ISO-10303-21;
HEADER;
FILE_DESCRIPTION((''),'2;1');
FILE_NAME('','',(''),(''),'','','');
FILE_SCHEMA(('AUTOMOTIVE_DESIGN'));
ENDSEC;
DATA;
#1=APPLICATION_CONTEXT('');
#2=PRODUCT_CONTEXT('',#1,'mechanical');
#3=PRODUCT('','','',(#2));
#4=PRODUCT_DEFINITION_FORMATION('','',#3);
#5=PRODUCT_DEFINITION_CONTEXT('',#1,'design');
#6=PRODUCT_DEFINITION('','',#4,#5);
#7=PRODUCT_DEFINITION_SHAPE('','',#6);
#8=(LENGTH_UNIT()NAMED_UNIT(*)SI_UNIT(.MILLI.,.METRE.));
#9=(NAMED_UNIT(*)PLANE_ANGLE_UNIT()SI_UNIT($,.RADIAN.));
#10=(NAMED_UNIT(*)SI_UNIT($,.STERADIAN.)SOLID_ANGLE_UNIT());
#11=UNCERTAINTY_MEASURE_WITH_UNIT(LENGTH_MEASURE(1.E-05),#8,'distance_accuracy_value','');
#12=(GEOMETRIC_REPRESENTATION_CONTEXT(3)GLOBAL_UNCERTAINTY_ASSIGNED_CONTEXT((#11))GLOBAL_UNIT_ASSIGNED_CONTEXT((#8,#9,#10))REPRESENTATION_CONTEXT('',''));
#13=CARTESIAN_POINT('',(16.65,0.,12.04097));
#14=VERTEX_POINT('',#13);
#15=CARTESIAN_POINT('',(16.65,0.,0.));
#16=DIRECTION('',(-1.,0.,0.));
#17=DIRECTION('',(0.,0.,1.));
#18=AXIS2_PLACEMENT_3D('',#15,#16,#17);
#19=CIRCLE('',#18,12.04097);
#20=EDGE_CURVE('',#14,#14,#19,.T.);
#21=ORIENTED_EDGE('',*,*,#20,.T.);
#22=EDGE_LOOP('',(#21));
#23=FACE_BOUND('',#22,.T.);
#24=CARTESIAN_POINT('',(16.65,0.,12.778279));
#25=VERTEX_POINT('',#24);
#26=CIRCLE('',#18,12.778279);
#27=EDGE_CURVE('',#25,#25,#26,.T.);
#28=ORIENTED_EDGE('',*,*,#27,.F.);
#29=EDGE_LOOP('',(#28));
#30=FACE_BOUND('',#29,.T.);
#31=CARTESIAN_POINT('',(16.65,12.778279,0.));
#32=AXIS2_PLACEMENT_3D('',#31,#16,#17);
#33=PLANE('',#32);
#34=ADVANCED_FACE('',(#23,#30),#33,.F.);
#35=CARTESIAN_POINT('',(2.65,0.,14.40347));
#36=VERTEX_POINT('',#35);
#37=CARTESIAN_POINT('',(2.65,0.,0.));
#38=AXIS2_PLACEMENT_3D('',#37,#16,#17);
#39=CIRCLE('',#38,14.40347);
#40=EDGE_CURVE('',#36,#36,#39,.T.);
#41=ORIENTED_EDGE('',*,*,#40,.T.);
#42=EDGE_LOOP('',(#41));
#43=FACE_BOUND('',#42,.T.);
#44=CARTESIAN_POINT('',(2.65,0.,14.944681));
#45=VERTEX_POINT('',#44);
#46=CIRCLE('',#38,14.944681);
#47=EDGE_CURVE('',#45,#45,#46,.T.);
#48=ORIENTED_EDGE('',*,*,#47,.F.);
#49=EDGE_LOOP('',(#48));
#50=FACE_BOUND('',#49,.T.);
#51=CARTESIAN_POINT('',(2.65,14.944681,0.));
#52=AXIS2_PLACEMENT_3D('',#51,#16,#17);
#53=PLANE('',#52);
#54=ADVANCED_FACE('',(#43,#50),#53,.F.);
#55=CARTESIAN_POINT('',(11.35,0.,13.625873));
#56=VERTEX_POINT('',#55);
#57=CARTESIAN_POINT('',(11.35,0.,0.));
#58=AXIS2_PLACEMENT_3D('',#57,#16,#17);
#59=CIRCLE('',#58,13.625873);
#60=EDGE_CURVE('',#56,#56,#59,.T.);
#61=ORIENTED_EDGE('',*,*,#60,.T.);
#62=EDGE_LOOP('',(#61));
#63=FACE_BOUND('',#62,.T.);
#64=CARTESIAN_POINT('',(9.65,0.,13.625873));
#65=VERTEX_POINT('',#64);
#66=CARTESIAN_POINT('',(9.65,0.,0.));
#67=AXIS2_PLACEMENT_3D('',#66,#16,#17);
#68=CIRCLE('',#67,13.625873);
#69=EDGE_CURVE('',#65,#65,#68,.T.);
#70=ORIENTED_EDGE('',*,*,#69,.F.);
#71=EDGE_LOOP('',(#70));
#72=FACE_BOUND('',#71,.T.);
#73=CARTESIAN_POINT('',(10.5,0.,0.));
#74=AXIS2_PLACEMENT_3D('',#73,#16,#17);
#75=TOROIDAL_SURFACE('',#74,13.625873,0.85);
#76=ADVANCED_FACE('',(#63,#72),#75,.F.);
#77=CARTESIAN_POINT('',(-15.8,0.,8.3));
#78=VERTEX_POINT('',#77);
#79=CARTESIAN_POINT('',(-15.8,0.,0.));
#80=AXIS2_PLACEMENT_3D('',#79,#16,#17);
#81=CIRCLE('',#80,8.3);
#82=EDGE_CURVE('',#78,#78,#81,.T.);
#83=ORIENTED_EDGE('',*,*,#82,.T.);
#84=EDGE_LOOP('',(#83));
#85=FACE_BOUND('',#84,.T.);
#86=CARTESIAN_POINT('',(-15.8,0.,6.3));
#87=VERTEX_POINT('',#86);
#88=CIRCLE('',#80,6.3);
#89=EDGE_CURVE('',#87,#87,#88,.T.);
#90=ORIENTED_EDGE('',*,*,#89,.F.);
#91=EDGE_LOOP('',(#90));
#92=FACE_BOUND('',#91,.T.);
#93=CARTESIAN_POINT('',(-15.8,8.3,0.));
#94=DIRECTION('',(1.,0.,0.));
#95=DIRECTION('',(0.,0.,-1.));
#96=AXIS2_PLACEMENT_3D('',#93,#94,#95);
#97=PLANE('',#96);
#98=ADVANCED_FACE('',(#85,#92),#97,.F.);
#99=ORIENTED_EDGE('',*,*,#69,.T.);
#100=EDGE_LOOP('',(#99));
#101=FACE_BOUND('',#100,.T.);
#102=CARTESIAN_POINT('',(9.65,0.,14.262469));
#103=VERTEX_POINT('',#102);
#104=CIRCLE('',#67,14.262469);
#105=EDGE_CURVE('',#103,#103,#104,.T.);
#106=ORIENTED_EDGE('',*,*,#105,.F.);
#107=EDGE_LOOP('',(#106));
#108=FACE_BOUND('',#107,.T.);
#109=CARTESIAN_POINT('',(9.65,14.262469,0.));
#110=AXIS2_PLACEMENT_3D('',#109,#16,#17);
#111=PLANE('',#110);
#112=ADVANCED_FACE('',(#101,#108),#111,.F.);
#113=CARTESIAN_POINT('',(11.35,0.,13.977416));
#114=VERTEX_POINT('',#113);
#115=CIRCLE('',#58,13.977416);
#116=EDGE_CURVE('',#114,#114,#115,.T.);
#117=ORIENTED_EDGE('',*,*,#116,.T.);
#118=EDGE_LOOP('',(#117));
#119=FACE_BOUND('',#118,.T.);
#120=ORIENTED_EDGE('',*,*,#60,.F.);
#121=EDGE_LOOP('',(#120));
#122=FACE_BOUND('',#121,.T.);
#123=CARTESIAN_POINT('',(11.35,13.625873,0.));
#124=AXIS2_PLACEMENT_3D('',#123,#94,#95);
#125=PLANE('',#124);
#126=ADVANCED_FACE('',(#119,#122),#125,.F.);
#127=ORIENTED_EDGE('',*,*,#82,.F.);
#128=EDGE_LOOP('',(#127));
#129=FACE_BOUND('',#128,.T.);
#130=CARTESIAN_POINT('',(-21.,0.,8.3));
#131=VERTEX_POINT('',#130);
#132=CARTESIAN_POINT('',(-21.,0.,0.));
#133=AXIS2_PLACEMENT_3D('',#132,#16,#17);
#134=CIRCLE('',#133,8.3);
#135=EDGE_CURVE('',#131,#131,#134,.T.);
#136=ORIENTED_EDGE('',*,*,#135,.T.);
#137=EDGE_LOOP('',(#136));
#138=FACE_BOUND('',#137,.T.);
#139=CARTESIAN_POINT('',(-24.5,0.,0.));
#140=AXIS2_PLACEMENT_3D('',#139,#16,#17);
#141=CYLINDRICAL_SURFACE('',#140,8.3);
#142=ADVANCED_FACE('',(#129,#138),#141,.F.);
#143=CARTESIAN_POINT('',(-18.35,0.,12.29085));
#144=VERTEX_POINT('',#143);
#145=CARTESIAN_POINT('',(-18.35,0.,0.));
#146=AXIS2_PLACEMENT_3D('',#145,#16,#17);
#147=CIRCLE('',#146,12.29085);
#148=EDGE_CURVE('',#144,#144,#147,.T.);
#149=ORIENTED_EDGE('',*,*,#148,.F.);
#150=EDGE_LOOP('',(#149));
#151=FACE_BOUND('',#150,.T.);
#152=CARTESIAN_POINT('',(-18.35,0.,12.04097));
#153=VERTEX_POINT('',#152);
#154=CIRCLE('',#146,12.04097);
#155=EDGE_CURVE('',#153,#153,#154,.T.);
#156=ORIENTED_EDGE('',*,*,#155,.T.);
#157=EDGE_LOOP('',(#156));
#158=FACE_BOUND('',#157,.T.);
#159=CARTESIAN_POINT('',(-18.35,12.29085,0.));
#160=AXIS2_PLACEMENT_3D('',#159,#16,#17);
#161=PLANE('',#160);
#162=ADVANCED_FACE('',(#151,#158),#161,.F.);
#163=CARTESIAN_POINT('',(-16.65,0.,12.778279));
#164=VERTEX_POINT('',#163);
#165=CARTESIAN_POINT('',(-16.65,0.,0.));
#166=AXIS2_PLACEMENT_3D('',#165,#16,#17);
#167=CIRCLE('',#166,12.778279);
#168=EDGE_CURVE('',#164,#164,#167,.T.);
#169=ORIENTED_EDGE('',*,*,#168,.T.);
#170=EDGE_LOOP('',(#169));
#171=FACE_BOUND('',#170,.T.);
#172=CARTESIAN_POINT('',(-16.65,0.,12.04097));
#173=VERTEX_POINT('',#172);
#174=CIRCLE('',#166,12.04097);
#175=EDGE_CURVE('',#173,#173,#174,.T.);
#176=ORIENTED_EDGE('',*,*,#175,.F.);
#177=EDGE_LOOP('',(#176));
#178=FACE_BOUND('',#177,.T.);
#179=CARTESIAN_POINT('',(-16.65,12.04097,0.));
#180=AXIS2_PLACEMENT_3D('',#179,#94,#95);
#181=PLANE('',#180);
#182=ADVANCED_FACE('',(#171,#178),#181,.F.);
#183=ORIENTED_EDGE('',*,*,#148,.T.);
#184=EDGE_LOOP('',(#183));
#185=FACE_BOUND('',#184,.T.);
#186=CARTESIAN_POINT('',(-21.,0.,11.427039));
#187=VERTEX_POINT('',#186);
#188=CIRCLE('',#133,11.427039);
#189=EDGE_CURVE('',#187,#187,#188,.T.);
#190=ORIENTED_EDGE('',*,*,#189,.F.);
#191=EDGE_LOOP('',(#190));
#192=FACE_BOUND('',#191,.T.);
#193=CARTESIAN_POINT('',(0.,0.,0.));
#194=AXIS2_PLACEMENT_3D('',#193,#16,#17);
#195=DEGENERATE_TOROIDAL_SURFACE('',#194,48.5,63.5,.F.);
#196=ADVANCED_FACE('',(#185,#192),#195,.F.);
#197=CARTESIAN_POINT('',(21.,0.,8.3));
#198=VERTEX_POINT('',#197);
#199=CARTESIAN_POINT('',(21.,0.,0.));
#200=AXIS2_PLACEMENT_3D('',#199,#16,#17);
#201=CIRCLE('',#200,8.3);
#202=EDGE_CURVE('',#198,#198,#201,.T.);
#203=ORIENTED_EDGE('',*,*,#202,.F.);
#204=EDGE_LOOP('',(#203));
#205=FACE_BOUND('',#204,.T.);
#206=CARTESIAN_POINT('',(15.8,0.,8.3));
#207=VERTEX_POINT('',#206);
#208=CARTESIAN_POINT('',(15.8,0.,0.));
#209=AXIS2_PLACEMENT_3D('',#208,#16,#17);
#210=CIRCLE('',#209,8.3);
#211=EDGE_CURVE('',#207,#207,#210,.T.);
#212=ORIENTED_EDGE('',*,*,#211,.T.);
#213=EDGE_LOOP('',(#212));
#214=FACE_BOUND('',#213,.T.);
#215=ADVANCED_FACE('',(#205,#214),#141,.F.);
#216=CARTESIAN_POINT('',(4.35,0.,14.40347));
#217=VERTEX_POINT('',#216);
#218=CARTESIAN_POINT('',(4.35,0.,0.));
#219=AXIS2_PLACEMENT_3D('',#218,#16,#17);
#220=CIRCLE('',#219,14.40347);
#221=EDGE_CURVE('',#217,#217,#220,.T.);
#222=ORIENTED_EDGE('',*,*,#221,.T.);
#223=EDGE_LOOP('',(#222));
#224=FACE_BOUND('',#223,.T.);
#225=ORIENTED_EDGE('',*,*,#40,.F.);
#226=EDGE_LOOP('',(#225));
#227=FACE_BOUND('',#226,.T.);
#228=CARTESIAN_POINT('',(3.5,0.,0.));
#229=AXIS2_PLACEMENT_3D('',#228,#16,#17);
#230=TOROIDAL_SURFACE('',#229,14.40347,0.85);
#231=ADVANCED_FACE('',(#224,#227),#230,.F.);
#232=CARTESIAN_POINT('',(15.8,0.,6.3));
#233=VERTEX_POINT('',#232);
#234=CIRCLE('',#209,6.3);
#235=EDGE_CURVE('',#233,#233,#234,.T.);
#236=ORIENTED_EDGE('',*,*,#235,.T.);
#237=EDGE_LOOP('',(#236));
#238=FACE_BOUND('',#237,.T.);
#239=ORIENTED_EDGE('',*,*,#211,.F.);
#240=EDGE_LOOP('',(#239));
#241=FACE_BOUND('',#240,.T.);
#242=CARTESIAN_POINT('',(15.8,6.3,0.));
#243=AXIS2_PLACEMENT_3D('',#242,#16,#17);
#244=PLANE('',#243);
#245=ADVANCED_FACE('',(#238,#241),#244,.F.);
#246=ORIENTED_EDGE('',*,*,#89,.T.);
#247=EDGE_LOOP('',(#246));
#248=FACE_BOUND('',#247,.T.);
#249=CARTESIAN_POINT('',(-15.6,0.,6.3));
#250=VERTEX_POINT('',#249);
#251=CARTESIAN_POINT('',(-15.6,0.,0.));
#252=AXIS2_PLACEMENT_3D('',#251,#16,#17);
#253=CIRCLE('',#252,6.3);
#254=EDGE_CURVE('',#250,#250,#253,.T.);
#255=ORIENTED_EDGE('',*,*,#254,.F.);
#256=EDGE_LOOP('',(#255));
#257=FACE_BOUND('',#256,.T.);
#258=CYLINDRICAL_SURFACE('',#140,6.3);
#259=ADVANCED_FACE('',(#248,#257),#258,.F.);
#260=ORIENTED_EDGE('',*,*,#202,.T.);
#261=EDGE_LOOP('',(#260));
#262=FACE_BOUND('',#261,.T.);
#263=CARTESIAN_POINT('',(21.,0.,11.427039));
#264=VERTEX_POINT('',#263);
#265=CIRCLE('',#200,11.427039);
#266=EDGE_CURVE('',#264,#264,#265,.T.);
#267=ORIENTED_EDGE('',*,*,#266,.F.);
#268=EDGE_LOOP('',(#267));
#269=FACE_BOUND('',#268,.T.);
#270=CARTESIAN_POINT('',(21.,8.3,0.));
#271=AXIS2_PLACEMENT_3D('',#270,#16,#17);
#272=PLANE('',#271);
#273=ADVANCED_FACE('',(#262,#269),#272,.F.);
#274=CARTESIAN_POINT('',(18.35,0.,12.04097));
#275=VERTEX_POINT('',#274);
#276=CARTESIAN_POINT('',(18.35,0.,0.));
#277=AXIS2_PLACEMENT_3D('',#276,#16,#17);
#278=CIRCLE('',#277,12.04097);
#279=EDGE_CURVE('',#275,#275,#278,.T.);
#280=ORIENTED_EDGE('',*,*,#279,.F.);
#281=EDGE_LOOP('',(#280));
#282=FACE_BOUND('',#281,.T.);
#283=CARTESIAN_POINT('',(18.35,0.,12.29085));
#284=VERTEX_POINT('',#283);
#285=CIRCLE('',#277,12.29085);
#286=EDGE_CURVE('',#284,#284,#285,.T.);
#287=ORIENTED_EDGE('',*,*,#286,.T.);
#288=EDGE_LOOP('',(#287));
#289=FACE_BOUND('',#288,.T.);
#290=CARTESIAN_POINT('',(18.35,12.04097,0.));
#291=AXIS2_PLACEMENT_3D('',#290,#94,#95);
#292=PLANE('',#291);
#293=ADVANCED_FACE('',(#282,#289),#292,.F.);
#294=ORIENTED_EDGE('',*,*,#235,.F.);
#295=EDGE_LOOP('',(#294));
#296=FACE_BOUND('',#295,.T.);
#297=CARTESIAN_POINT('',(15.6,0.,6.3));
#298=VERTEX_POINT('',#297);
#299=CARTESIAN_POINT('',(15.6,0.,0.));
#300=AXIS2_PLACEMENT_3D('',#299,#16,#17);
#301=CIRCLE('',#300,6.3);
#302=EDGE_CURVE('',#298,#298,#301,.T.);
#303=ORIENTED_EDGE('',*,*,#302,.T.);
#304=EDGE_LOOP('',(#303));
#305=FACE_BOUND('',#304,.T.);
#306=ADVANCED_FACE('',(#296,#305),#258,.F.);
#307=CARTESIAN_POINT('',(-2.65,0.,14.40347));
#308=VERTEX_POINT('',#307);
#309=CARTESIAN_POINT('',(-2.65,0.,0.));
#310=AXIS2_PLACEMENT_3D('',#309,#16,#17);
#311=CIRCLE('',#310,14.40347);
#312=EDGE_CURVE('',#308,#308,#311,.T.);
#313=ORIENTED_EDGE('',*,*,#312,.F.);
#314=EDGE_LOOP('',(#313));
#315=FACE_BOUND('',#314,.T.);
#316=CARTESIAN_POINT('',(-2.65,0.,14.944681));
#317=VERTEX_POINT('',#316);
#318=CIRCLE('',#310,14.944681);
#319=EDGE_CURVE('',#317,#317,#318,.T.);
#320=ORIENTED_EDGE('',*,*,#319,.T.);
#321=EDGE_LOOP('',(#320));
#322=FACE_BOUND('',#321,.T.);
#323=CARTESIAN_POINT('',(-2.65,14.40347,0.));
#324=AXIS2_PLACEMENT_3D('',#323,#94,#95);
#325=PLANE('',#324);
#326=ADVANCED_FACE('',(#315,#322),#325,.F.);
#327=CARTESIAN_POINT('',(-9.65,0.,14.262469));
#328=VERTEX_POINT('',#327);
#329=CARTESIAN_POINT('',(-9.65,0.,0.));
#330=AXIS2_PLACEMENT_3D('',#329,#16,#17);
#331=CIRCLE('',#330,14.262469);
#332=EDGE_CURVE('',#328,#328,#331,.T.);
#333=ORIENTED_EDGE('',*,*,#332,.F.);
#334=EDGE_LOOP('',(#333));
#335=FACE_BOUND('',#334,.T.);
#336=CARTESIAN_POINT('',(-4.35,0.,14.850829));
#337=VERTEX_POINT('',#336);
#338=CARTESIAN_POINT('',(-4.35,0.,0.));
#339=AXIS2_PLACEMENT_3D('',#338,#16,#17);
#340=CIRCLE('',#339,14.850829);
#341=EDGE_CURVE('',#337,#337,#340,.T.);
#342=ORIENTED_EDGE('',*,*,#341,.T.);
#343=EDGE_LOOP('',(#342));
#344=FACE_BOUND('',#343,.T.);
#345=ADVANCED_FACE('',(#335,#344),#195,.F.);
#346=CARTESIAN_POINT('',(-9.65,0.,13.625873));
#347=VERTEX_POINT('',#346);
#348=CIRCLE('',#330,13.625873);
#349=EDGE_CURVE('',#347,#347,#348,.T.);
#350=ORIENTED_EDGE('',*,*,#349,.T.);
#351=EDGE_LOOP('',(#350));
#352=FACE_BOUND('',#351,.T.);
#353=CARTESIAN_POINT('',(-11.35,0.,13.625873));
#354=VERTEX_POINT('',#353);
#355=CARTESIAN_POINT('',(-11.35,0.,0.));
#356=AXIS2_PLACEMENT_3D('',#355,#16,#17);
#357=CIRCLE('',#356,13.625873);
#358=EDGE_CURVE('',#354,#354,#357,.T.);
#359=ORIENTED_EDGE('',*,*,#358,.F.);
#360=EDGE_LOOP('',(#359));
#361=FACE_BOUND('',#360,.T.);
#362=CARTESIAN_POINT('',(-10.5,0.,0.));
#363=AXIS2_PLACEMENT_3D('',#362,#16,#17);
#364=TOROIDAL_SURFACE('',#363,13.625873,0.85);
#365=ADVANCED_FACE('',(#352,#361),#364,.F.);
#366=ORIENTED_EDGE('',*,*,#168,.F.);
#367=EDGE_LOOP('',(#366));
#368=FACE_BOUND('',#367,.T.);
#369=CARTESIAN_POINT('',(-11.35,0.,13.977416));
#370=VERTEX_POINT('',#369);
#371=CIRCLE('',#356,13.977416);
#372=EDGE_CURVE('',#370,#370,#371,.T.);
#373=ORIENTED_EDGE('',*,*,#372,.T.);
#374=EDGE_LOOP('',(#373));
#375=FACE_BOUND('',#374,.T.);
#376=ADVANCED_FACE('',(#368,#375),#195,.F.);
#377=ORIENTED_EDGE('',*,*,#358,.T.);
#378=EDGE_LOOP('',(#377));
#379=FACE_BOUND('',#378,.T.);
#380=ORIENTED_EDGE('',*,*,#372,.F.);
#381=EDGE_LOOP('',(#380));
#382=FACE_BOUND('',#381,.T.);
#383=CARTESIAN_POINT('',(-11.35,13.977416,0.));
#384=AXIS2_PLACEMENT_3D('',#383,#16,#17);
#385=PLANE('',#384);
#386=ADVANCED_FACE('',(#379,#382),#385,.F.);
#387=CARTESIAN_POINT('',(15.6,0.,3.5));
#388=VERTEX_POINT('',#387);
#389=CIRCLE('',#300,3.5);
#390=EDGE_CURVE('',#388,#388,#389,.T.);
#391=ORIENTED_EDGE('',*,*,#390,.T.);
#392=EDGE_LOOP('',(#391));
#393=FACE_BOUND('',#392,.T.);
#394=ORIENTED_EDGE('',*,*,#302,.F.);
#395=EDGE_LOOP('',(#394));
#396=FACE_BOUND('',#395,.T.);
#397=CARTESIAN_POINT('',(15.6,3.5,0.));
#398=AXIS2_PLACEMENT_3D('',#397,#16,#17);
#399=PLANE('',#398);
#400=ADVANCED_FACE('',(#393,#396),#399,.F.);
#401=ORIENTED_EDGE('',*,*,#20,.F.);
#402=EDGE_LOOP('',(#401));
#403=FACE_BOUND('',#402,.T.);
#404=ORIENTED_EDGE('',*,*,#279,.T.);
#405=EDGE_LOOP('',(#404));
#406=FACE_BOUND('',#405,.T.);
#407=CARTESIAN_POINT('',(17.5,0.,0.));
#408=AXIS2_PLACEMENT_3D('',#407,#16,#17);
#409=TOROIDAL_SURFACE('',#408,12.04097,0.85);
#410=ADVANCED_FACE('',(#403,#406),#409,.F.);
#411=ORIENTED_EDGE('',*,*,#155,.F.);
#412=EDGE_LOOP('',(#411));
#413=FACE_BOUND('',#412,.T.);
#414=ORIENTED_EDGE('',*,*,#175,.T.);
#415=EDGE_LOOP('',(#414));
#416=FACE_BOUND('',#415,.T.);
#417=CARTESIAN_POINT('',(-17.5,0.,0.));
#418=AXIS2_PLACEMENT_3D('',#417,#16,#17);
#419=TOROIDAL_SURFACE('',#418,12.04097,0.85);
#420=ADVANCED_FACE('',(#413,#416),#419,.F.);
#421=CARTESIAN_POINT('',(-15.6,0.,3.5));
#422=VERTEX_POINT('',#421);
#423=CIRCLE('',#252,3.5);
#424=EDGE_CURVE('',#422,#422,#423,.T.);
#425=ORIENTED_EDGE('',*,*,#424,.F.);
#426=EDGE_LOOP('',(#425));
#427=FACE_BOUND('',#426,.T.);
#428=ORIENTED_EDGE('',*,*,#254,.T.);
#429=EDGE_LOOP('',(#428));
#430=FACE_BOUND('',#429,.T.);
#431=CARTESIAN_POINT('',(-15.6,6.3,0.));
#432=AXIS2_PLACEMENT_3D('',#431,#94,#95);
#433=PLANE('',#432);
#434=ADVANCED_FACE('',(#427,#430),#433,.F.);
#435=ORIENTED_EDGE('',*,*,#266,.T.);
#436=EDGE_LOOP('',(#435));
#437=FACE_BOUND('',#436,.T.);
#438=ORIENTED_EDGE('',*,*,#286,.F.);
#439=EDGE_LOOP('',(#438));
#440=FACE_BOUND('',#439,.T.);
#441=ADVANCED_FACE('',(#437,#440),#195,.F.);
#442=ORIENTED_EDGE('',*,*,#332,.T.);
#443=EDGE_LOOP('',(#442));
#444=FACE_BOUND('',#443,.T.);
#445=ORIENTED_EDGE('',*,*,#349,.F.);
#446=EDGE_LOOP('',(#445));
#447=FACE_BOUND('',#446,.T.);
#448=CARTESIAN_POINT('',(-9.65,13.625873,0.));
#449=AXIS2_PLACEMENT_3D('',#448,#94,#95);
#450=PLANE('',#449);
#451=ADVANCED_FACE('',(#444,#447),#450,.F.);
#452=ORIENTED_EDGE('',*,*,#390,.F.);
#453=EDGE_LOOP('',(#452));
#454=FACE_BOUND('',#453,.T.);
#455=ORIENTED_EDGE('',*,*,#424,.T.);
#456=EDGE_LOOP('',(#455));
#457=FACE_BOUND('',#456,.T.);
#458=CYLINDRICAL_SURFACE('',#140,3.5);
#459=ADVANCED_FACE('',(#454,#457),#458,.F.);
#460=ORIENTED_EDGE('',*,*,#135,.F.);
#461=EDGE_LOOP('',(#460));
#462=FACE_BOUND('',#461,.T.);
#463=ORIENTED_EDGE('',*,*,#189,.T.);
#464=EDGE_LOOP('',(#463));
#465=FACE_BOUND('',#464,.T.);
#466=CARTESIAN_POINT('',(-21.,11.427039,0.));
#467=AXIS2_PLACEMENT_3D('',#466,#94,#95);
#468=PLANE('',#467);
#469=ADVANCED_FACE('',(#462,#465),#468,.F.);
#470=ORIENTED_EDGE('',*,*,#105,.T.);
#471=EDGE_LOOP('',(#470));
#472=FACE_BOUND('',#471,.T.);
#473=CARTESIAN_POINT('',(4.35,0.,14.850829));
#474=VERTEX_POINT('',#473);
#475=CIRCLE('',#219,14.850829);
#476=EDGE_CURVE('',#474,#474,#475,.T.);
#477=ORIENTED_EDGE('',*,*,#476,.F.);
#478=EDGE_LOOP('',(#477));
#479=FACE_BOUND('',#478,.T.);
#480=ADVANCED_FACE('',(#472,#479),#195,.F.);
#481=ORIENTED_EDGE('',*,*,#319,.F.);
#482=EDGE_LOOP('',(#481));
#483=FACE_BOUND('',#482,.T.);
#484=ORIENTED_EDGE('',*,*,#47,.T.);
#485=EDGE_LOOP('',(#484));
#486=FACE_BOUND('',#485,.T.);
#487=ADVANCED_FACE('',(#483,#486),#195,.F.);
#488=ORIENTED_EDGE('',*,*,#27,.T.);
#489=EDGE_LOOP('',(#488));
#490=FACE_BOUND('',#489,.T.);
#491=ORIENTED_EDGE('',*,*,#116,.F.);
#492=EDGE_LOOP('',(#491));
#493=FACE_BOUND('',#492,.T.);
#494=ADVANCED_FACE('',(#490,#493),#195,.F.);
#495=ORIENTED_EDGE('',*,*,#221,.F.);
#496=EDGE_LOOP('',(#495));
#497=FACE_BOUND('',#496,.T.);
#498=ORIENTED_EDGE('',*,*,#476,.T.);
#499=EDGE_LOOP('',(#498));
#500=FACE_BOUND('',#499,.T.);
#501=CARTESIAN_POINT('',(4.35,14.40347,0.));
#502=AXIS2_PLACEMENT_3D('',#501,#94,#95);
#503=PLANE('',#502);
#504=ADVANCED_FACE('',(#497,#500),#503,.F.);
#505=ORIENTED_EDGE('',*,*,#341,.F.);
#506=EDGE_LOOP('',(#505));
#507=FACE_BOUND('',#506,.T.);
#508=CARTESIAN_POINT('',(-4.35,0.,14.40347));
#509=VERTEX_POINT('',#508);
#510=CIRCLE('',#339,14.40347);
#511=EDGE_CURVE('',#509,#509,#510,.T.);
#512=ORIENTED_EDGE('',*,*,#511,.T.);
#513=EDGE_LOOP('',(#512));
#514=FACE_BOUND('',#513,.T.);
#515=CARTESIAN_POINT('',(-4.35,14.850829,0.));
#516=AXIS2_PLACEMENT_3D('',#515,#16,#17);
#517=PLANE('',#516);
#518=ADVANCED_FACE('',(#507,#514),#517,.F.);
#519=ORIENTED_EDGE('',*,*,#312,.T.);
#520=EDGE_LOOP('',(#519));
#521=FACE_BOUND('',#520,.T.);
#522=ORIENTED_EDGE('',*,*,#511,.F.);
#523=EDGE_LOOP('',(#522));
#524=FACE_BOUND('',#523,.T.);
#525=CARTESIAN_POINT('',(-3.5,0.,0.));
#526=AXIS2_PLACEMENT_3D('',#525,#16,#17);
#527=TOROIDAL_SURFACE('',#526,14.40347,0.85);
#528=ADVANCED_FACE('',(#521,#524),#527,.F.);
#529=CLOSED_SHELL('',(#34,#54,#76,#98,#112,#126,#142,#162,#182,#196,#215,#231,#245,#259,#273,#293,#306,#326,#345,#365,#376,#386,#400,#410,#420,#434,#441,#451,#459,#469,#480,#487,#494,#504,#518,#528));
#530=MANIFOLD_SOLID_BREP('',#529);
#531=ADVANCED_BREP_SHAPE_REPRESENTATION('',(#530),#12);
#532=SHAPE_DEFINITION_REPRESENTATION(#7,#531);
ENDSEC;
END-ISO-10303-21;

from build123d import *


with BuildPart() as part:
    # Sketch1 → Revolve1 (revolve)
    with BuildSketch(Plane.XY, mode=Mode.PRIVATE) as revolve1_sk:
        with BuildLine():
            Line((-21, 11.427038972), (-21, 8.3))
            Line((-21, 8.3), (-15.8, 8.3))
            Line((-15.8, 8.3), (-15.8, 6.3))
            Line((-15.8, 6.3), (-15.6, 6.3))
            Line((-15.6, 6.3), (-15.6, 3.5))
            Line((-15.6, 3.5), (15.6, 3.5))
            Line((15.6, 3.5), (15.6, 6.3))
            Line((15.6, 6.3), (15.8, 6.3))
            Line((15.8, 6.3), (15.8, 8.3))
            Line((15.8, 8.3), (21, 8.3))
            Line((21, 8.3), (21, 11.427038972))
            ThreePointArc((21, 11.427038972), (19.679740028, 11.873486171), (18.35, 12.290850463))
            Line((18.35, 12.290850463), (18.35, 12.040969848))
            ThreePointArc((18.35, 12.040969848), (17.5, 11.190969848), (16.65, 12.040969848))
            Line((16.65, 12.040969848), (16.65, 12.778279186))
            ThreePointArc((16.65, 12.778279186), (14.01283277, 13.434566421), (11.35, 13.97741592))
            Line((11.35, 13.97741592), (11.35, 13.625873247))
            ThreePointArc((11.35, 13.625873247), (10.5, 12.775873247), (9.65, 13.625873247))
            Line((9.65, 13.625873247), (9.65, 14.262468881))
            ThreePointArc((9.65, 14.262468881), (7.006178832, 14.612308294), (4.35, 14.850828724))
            Line((4.35, 14.850828724), (4.35, 14.403469937))
            ThreePointArc((4.35, 14.403469937), (3.5, 13.553469937), (2.65, 14.403469937))
            Line((2.65, 14.403469937), (2.65, 14.944680628))
            ThreePointArc((2.65, 14.944680628), (0, 15), (-2.65, 14.944680628))
            Line((-2.65, 14.944680628), (-2.65, 14.403469937))
            ThreePointArc((-2.65, 14.403469937), (-3.5, 13.553469937), (-4.35, 14.403469937))
            Line((-4.35, 14.403469937), (-4.35, 14.850828724))
            ThreePointArc((-4.35, 14.850828724), (-7.006178832, 14.612308294), (-9.65, 14.262468881))
            Line((-9.65, 14.262468881), (-9.65, 13.625873247))
            ThreePointArc((-9.65, 13.625873247), (-10.5, 12.775873247), (-11.35, 13.625873247))
            Line((-11.35, 13.625873247), (-11.35, 13.97741592))
            ThreePointArc((-11.35, 13.97741592), (-14.01283277, 13.434566421), (-16.65, 12.778279186))
            Line((-16.65, 12.778279186), (-16.65, 12.040969848))
            ThreePointArc((-16.65, 12.040969848), (-17.5, 11.190969848), (-18.35, 12.040969848))
            Line((-18.35, 12.040969848), (-18.35, 12.290850463))
            ThreePointArc((-18.35, 12.290850463), (-19.679740028, 11.873486171), (-21, 11.427038972))
        make_face()
    revolve(revolve1_sk.sketch.rotate(Axis((-24.5, 0, 0), (1, 0, 0)), 90), axis=Axis((-24.5, 0, 0), (1, 0, 0)))


solid = part.part
